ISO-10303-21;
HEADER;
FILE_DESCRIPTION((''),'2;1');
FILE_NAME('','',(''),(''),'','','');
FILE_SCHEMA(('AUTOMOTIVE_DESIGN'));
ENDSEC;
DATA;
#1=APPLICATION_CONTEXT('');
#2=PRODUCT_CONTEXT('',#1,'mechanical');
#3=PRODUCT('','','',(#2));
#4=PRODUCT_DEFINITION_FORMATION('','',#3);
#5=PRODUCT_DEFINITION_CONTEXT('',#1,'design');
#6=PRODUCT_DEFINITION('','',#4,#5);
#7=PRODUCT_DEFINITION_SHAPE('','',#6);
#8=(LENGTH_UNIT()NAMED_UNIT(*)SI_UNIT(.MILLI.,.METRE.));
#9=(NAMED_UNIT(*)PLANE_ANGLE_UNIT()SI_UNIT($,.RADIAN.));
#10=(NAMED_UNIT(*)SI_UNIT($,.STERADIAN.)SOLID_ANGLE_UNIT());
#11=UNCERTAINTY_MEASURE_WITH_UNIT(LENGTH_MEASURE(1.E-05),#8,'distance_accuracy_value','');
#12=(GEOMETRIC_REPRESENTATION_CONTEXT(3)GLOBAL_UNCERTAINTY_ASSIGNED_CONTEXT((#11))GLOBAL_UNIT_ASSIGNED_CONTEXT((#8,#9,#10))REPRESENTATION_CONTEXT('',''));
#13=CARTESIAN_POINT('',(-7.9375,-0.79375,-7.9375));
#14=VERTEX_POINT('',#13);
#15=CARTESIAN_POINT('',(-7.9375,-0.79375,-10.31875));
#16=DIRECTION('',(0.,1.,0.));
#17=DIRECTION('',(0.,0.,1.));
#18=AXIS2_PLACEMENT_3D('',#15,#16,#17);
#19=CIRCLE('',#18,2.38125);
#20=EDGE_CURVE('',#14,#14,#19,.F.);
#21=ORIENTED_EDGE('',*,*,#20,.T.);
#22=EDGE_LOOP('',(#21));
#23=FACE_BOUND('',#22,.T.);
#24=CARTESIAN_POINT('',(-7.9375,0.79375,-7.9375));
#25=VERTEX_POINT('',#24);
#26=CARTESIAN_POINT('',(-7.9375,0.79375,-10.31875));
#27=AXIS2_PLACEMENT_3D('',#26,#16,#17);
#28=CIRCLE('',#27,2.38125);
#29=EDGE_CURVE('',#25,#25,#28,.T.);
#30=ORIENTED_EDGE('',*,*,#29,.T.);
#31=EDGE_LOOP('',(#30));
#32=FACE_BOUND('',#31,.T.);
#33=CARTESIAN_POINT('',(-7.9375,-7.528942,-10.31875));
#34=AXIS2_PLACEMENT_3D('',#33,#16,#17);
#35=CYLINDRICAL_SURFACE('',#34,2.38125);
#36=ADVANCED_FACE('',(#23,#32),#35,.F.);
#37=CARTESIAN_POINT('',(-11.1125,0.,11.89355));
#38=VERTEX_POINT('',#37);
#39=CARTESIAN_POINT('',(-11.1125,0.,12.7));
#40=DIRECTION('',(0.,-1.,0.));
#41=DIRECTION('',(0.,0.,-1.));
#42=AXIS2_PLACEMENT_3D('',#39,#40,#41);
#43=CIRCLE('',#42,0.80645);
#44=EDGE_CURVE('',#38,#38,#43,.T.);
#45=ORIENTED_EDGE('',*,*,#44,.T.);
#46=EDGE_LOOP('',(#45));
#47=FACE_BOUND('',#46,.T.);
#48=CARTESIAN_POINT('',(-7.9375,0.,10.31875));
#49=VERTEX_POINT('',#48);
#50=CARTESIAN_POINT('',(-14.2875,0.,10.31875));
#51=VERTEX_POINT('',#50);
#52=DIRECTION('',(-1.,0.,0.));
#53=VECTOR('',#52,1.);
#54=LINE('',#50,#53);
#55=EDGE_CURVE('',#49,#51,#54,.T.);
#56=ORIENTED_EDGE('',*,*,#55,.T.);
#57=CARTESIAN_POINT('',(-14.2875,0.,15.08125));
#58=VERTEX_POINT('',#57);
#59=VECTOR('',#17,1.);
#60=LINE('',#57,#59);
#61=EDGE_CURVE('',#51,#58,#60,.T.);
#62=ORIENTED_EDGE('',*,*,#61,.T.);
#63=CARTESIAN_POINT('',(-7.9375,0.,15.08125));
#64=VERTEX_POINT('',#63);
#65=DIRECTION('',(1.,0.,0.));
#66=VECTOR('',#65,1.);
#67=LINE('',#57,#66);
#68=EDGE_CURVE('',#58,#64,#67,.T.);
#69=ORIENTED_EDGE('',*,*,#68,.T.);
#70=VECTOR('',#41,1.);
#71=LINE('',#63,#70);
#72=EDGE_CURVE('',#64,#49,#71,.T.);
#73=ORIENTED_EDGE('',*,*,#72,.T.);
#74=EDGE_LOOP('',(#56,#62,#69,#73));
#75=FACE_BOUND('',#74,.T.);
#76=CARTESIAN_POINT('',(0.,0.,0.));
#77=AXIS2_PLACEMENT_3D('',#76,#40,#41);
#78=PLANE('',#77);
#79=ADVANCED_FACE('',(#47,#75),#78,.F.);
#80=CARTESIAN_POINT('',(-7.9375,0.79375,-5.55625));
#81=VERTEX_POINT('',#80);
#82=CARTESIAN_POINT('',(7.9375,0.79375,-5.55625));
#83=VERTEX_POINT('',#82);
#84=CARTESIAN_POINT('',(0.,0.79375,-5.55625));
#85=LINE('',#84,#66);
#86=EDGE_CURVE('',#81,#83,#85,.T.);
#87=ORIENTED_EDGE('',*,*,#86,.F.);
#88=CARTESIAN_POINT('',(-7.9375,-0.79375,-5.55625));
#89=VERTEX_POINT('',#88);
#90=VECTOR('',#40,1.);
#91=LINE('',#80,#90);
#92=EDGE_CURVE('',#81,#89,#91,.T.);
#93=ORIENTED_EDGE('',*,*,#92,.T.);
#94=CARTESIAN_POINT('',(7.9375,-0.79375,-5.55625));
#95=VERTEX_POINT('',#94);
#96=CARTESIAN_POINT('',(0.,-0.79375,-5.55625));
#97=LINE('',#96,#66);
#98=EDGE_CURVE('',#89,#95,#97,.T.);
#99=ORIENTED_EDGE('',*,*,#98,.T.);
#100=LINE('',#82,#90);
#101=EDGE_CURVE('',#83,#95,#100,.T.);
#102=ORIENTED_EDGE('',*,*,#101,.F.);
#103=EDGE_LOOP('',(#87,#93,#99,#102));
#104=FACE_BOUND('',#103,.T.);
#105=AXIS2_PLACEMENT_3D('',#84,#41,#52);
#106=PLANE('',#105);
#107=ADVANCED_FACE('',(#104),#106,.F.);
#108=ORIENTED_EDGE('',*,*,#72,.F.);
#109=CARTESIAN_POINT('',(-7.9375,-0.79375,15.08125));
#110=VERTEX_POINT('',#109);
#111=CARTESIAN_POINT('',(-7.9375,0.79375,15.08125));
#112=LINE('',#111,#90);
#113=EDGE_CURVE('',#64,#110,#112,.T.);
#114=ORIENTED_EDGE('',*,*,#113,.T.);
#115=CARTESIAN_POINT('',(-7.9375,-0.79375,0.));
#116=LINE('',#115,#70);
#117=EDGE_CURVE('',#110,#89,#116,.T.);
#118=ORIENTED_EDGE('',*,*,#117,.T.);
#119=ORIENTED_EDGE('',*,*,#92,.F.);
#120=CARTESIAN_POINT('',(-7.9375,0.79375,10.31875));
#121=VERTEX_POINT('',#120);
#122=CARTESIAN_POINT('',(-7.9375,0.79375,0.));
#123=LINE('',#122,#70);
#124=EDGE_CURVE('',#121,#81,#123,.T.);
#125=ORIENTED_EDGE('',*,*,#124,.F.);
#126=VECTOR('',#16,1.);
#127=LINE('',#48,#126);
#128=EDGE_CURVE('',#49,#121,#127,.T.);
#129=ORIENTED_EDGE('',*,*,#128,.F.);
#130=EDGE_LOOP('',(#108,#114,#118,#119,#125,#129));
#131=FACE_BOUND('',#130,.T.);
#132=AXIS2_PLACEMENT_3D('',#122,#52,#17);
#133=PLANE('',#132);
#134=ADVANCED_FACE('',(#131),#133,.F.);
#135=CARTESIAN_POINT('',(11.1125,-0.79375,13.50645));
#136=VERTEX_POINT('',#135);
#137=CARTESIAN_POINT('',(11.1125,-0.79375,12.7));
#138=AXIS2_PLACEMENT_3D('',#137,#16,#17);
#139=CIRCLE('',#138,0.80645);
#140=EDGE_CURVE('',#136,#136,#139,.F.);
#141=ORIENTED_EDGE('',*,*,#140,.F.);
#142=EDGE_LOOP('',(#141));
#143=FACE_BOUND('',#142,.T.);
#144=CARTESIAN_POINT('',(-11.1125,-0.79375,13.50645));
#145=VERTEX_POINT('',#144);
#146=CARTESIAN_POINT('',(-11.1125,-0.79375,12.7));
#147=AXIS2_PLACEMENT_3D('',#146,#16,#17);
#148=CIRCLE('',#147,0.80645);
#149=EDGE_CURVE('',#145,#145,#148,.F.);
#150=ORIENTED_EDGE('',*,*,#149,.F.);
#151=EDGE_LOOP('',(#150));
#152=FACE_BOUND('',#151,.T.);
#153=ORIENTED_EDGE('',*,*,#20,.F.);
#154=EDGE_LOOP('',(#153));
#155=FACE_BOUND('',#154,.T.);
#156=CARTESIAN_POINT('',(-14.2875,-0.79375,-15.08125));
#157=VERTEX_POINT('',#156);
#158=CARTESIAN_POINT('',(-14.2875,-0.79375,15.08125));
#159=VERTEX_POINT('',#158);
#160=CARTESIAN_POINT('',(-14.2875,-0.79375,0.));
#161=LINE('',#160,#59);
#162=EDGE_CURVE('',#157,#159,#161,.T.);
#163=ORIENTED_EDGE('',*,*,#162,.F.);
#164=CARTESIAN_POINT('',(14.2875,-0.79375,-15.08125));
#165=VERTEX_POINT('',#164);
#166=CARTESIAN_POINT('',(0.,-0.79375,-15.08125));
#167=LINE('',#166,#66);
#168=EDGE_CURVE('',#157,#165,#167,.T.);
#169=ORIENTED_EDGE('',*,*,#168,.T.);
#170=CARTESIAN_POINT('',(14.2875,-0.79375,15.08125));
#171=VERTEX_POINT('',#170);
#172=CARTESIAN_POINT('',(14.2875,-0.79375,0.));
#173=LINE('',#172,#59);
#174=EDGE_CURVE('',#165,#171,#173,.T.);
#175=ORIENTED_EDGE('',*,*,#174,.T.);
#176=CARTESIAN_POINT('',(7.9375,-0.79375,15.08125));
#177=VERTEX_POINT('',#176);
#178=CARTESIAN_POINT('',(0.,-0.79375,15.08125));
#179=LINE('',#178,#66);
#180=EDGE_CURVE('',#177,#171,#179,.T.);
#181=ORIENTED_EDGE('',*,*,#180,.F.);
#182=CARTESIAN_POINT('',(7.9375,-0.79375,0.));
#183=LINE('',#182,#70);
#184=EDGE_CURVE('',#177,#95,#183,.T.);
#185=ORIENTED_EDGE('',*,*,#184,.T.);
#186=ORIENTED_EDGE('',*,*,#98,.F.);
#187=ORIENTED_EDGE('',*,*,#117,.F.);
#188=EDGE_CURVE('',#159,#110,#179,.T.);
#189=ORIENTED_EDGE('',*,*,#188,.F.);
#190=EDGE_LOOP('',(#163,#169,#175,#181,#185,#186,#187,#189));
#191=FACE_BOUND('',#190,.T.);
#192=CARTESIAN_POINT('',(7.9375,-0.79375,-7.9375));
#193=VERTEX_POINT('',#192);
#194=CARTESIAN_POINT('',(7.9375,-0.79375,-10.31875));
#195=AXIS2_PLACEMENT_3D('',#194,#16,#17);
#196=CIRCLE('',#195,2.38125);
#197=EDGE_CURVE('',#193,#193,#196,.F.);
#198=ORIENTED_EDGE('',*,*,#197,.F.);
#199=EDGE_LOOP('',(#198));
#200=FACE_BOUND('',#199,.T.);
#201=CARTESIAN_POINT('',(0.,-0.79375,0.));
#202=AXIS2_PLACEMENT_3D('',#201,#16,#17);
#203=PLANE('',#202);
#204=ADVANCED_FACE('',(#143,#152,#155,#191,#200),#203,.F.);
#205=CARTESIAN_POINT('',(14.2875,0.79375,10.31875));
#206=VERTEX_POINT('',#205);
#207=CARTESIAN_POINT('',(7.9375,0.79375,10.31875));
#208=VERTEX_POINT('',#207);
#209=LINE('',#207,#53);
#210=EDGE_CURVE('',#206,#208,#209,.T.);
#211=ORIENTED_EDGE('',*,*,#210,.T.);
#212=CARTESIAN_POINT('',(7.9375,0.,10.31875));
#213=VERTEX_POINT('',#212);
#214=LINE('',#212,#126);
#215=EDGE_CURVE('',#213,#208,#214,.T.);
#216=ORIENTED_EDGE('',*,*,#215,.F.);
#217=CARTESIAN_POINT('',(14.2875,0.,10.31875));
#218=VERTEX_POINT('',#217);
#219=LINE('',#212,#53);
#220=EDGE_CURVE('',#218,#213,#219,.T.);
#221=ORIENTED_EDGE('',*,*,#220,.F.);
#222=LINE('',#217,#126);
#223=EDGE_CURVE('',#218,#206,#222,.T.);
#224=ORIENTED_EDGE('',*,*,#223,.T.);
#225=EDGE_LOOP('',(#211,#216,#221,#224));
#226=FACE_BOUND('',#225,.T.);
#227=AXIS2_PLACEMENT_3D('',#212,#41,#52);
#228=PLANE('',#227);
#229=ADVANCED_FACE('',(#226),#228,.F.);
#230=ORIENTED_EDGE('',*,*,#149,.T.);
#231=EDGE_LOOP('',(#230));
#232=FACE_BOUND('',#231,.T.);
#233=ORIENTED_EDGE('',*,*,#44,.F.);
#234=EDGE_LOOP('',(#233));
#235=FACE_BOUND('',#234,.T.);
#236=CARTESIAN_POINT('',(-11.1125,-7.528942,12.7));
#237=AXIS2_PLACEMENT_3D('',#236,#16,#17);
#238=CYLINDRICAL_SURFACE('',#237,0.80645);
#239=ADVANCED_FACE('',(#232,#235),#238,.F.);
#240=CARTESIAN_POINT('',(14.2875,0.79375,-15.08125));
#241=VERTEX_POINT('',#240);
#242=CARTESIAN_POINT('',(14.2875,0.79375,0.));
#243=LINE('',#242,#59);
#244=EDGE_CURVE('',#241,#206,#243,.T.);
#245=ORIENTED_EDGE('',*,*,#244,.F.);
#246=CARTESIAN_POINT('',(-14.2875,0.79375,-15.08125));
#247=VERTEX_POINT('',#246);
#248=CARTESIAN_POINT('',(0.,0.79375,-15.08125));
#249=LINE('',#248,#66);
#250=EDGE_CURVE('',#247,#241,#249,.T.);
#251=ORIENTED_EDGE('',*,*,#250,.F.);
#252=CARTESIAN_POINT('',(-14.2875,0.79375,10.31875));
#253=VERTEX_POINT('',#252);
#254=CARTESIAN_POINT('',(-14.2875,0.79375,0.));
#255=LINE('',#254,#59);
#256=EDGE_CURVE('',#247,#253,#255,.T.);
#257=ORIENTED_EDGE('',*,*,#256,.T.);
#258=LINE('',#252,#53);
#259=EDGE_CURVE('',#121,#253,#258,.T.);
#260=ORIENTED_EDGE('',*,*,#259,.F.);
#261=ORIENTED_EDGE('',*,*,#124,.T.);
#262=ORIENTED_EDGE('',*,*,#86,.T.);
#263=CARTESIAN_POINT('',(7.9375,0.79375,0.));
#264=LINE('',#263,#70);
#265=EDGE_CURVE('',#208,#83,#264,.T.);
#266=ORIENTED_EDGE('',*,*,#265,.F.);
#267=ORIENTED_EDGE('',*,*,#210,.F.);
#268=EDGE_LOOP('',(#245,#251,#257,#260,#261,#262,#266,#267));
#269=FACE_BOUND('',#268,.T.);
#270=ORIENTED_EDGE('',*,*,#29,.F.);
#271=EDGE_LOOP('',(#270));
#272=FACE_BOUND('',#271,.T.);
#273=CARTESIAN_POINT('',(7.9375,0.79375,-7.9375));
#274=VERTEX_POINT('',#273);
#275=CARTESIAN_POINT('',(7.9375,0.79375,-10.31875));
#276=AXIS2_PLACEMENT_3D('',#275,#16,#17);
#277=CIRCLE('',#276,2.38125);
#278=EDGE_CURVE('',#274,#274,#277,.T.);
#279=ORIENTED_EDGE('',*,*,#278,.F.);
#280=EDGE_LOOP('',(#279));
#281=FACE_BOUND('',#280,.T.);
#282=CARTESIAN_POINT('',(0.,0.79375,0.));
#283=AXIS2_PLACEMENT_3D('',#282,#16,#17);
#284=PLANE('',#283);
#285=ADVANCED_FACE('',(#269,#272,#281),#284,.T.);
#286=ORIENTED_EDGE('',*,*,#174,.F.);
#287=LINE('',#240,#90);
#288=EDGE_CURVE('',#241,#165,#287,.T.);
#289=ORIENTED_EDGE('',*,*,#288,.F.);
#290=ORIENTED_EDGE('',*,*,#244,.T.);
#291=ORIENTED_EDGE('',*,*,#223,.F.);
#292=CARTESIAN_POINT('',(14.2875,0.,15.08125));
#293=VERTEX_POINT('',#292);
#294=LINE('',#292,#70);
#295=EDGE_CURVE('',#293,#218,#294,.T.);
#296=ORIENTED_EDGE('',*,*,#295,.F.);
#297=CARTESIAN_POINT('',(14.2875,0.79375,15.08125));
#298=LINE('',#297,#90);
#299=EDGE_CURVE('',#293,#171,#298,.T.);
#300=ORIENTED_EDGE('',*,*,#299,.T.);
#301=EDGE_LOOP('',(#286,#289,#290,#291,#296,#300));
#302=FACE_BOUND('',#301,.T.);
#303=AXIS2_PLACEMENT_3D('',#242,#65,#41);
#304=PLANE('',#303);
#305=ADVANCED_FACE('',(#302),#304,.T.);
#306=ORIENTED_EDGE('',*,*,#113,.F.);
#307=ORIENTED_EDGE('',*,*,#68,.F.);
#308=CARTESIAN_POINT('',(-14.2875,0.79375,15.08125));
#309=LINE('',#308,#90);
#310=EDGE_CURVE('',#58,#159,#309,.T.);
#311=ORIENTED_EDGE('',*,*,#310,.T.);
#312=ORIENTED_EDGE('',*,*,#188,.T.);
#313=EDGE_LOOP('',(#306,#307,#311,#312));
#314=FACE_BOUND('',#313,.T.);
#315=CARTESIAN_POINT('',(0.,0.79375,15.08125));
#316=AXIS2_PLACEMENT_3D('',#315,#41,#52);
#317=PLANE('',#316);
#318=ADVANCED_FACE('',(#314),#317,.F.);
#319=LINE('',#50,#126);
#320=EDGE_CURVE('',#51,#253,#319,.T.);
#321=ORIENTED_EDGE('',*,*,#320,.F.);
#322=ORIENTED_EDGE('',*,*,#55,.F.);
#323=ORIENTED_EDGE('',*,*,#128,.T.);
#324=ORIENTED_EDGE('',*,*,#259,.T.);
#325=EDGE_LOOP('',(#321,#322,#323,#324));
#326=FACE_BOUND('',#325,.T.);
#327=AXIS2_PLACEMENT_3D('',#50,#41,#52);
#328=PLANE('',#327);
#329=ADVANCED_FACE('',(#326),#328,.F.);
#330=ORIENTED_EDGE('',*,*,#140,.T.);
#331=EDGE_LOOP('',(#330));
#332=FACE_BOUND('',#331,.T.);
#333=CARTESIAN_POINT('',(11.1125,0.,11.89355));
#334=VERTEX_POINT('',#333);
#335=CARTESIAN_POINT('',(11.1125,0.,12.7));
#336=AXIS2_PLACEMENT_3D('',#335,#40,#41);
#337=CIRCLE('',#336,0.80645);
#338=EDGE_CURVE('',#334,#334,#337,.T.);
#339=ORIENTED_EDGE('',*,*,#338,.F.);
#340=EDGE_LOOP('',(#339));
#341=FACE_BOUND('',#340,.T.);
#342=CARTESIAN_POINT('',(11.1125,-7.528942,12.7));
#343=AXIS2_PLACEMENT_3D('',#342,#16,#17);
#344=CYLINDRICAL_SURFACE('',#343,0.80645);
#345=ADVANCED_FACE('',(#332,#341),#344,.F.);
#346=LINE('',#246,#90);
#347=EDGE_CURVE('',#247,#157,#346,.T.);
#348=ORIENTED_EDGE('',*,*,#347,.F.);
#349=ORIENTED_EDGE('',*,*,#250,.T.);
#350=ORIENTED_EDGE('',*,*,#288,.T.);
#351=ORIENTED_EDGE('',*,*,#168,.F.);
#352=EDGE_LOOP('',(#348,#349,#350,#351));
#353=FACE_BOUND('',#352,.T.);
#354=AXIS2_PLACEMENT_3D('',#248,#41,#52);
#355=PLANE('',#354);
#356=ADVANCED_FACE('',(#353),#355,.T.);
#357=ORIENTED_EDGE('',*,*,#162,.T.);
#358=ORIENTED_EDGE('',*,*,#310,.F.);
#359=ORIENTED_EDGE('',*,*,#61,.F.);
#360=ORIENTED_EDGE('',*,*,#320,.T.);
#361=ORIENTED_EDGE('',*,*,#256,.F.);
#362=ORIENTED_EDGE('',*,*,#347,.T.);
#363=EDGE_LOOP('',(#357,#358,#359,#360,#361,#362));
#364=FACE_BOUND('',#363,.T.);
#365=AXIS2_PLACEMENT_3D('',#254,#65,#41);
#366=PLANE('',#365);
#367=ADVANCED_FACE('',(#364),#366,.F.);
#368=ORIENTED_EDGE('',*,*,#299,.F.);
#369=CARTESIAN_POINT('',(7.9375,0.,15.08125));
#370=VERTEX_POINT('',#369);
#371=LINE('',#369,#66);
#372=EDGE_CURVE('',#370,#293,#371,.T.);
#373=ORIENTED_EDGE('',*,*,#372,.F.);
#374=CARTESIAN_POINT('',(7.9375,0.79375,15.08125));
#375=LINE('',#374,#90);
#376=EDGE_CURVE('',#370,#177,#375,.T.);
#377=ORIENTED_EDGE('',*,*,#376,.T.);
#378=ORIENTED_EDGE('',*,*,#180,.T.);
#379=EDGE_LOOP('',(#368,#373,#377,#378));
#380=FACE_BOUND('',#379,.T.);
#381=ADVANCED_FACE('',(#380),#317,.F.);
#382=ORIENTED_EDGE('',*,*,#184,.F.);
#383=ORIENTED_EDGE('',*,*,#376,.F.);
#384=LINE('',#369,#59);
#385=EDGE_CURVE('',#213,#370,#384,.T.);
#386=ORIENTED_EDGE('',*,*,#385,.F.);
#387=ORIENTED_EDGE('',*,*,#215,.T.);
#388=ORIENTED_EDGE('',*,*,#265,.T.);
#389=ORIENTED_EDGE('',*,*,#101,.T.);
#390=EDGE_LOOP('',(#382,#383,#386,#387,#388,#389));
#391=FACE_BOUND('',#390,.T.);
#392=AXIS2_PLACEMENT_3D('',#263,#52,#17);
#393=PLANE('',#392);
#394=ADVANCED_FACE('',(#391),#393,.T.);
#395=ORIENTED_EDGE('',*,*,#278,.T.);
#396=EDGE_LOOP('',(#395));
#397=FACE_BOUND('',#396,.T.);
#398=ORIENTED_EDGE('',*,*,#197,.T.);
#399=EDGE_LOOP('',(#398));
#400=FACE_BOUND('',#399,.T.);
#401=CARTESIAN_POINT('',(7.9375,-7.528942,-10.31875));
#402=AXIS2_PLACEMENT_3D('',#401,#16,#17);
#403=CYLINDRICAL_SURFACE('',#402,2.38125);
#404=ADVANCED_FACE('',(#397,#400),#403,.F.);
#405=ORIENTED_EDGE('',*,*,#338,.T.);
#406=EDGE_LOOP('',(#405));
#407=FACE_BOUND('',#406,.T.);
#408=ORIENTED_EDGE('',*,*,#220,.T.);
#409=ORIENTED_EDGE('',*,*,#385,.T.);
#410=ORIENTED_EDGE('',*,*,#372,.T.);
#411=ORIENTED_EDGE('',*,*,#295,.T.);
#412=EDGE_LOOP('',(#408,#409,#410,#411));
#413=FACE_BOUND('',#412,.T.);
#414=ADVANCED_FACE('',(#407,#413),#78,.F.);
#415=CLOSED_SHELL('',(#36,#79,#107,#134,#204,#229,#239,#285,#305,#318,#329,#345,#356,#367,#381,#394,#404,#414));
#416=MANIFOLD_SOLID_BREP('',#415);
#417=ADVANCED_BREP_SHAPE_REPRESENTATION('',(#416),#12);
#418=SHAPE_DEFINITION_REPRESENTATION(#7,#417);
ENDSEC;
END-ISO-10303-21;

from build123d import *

# Parameters (mm, degrees)
BOSS_EXTRUDE1_DEPTH = 0.79375
SKETCH2_W           = 6.35
SKETCH2_H           = 4.7625
CUT_EXTRUDE1_DEPTH  = 0.79375
SKETCH3_R           = 0.80645
SKETCH3_R_2         = 2.38125
CUT_EXTRUDE2_DEPTH  = 1.5875


with BuildPart() as part:
    # Sketch1 → Boss-Extrude1 (new body, symmetric)
    with BuildSketch(Plane(origin=(0, 0, 0), x_dir=(1, 0, 0), z_dir=(0, 1, 0))):
        Polygon((14.2875, 15.08125), (-14.2875, 15.08125), (-14.2875, -15.08125), (-7.9375, -15.08125), (-7.9375, 5.55625), (7.9375, 5.55625), (7.9375, -15.08125), (14.2875, -15.08125), align=None)
    extrude(amount=BOSS_EXTRUDE1_DEPTH, both=True)

    # Sketch2 → Cut-Extrude1 (cut)
    with BuildSketch(Plane(origin=(0, 0.79375, 0), x_dir=(1, 0, 0), z_dir=(0, 1, 0))):
        with Locations((-11.1125, -12.7)):
            Rectangle(SKETCH2_W, SKETCH2_H)
        with Locations((11.1125, -12.7)):
            Rectangle(SKETCH2_W, SKETCH2_H)
    extrude(amount=-CUT_EXTRUDE1_DEPTH, mode=Mode.SUBTRACT)

    # Sketch3 → Cut-Extrude2 (cut)
    with BuildSketch(Plane(origin=(0, 0.79375, 0), x_dir=(1, 0, 0), z_dir=(0, 1, 0))):
        with Locations((-11.1125, -12.7)):
            Circle(SKETCH3_R)
        with Locations((-7.9375, 10.31875)):
            Circle(SKETCH3_R_2)
        with Locations((11.1125, -12.7)):
            Circle(SKETCH3_R)
        with Locations((7.9375, 10.31875)):
            Circle(SKETCH3_R_2)
    extrude(amount=-CUT_EXTRUDE2_DEPTH, mode=Mode.SUBTRACT)


solid = part.part
